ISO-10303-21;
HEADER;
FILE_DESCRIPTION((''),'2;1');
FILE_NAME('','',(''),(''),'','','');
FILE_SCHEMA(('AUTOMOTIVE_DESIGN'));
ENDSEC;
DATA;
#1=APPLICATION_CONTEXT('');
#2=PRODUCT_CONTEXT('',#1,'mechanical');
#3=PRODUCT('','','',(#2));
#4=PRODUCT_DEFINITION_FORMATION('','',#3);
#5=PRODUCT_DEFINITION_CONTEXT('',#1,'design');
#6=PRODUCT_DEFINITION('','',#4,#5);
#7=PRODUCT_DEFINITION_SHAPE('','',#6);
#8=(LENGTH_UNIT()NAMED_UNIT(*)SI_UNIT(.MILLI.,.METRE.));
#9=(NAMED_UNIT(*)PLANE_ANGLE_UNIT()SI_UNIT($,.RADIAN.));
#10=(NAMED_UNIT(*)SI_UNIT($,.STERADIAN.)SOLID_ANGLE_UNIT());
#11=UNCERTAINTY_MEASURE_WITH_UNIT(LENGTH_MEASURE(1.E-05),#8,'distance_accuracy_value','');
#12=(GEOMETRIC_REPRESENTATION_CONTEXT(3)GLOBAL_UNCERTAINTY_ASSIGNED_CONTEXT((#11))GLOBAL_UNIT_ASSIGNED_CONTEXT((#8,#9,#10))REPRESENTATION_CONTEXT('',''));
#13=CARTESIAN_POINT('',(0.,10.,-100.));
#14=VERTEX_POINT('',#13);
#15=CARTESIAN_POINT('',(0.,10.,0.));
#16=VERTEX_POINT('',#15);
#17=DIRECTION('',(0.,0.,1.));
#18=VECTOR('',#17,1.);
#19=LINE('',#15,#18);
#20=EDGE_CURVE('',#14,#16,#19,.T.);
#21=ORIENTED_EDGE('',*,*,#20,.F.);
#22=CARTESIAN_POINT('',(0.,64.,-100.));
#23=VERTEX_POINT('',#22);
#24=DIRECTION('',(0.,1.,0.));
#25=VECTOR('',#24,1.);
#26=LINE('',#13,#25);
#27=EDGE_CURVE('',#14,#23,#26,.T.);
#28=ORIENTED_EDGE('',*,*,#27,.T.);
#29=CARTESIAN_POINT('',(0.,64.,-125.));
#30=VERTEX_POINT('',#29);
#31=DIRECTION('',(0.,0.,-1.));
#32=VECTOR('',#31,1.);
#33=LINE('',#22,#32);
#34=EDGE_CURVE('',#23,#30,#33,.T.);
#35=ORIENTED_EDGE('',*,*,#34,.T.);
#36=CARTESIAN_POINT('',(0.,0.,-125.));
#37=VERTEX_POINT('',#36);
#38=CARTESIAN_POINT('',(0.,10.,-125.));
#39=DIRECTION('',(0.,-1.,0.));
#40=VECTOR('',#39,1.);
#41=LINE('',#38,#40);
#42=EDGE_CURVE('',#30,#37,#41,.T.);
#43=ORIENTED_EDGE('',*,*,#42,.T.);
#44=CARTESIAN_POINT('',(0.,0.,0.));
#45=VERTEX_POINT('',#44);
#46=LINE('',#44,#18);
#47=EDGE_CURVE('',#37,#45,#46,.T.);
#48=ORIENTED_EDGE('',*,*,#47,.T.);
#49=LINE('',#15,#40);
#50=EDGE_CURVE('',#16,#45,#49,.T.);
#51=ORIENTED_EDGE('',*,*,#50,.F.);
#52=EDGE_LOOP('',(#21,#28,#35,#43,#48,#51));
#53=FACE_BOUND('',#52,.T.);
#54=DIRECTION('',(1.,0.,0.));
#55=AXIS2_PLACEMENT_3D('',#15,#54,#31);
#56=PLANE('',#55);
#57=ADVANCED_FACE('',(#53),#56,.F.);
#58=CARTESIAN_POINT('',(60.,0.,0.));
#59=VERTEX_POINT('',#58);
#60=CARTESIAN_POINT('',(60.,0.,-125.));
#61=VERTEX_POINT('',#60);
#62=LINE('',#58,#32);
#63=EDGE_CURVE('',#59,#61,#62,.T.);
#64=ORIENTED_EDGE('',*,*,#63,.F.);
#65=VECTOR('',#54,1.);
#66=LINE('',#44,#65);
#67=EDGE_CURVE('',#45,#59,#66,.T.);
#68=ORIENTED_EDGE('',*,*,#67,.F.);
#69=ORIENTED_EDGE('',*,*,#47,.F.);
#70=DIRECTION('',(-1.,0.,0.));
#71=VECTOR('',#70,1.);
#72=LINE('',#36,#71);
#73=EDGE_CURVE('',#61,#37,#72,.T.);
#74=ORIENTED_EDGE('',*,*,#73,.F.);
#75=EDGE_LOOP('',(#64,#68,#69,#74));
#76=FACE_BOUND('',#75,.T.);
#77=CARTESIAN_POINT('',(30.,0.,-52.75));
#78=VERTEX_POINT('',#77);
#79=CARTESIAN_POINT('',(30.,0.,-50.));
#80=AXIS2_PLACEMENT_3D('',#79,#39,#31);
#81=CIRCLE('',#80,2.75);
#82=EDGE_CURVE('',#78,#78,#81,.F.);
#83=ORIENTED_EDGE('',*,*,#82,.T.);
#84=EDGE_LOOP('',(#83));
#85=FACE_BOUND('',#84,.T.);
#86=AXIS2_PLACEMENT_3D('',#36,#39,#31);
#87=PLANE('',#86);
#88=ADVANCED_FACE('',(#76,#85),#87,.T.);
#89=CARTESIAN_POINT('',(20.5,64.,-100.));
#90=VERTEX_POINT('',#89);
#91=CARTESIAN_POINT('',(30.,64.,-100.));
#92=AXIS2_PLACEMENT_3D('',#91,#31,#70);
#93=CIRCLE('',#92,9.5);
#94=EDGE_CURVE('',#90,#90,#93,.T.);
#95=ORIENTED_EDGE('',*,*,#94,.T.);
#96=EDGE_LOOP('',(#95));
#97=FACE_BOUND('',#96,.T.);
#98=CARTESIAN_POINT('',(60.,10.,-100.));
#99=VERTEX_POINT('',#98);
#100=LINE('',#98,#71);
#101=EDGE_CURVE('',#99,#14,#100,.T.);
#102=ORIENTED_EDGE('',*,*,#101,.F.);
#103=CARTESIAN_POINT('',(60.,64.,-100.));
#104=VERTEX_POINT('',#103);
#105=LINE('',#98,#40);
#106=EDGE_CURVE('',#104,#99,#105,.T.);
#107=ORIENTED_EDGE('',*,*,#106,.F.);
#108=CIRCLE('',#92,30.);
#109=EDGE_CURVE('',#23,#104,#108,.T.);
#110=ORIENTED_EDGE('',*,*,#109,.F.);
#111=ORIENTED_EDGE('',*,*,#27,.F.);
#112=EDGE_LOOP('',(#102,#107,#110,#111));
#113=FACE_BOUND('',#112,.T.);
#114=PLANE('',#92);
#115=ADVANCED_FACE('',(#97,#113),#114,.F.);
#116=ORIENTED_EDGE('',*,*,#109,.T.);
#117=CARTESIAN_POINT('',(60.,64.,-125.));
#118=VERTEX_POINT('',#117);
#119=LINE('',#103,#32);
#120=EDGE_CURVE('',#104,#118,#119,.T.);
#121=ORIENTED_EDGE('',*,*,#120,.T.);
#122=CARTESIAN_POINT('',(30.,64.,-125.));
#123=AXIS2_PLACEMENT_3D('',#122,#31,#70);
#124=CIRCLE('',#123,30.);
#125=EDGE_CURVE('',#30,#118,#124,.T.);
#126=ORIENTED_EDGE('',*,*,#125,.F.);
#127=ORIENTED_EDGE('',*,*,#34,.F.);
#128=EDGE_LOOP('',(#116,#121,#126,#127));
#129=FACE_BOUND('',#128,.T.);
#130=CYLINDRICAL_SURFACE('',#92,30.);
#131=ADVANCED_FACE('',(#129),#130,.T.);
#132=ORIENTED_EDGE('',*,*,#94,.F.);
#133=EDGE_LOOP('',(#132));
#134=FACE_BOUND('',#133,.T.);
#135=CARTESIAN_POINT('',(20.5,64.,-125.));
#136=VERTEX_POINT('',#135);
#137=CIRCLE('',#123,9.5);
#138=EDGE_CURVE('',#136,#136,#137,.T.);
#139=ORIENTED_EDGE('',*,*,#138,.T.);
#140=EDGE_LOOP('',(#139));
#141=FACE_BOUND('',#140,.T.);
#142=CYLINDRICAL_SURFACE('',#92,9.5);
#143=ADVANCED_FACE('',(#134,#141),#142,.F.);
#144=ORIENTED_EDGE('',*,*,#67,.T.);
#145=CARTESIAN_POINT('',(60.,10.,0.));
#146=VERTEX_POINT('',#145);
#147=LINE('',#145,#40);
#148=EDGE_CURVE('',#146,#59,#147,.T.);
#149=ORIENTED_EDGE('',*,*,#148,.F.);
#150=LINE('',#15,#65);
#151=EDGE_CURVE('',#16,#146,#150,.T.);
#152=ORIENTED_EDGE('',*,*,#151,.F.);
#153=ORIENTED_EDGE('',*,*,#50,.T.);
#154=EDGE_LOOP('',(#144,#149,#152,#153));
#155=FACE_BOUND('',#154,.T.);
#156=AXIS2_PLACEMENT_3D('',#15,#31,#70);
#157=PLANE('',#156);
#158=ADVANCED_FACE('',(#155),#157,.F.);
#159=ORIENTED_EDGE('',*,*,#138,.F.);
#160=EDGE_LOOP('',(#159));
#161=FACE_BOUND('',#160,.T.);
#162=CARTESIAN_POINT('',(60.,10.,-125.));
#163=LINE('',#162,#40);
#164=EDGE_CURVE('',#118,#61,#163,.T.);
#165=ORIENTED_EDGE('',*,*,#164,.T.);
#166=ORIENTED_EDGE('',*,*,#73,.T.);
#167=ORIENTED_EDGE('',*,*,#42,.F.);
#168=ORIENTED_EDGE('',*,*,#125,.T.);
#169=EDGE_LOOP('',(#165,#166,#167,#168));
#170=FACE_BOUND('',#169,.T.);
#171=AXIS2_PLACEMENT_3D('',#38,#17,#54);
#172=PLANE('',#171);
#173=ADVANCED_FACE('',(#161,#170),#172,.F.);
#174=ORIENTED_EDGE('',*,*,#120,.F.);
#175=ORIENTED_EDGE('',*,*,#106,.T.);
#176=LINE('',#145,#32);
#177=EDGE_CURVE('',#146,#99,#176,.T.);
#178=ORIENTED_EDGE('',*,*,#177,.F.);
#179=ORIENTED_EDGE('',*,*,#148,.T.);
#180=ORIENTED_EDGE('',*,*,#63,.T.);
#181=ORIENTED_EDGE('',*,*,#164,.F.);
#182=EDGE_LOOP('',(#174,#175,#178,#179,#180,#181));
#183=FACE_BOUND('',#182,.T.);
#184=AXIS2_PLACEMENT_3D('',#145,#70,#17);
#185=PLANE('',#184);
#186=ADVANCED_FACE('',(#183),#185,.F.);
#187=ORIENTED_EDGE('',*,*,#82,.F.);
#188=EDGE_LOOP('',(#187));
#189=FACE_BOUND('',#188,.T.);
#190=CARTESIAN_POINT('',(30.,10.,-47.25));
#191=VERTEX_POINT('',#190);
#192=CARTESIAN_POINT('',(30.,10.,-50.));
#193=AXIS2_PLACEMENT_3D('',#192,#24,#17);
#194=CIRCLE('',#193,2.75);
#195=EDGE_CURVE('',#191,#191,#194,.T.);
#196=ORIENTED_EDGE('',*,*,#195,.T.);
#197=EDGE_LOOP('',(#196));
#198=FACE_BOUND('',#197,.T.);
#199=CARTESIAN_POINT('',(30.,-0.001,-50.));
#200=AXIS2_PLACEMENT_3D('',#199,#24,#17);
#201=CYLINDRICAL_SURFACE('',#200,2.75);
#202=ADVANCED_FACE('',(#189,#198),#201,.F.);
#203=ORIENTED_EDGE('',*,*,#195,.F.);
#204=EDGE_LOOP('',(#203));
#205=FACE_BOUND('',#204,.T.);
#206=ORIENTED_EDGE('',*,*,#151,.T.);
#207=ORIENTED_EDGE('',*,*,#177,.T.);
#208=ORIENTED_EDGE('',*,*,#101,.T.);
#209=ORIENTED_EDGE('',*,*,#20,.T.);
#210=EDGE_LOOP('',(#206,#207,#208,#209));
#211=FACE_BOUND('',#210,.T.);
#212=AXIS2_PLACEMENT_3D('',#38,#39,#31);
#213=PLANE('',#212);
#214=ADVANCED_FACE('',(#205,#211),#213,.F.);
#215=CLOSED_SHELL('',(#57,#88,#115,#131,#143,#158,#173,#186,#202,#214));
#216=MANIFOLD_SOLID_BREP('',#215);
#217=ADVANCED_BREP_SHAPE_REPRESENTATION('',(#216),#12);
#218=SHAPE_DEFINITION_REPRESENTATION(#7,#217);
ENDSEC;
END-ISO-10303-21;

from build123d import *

# Parameters (mm, degrees)
SKETCH1_W           = 60
SKETCH1_H           = 125
BOSS_EXTRUDE1_DEPTH = 10
SKETCH2_R           = 9.5
BOSS_EXTRUDE2_DEPTH = 25
CUT_EXTRUDE1_REACH  = 164.114
SKETCH3_R           = 2.75


with BuildPart() as part:
    # Sketch1 → Boss-Extrude1 (new body)
    with BuildSketch(Plane(origin=(0, 0, 0), x_dir=(1, 0, 0), z_dir=(0, 1, 0))):
        with Locations((30, 62.5)):
            Rectangle(SKETCH1_W, SKETCH1_H)
    extrude(amount=BOSS_EXTRUDE1_DEPTH)

    # Sketch2 → Boss-Extrude2 (add)
    with BuildSketch(Plane(origin=(0, 0, -125), x_dir=(-1, 0, 0), z_dir=(0, 0, -1))):
        with BuildLine():
            Line((-60, 10), (0, 10))
            Line((0, 10), (0, 64))
            ThreePointArc((0, 64), (-30, 94), (-60, 64))
            Line((-60, 64), (-60, 10))
        make_face()
        with Locations((-30, 64)):
            Circle(SKETCH2_R, mode=Mode.SUBTRACT)
    extrude(amount=-BOSS_EXTRUDE2_DEPTH)

    # Sketch3 → Cut-Extrude1 (cut, up to next)
    with BuildSketch(Plane(origin=(0, 10, 0), x_dir=(1, 0, 0), z_dir=(0, 1, 0)), mode=Mode.PRIVATE) as cut_extrude1_sk1:
        with Locations(Location((30, 50, 0), (0, 0, 270))):
            Circle(SKETCH3_R)
    cut_extrude1_tool1 = extrude(cut_extrude1_sk1.sketch, amount=-CUT_EXTRUDE1_REACH, mode=Mode.PRIVATE) & part.part
    add(cut_extrude1_tool1.solids().sort_by_distance((30, 10, -50))[0], mode=Mode.SUBTRACT)


solid = part.part
